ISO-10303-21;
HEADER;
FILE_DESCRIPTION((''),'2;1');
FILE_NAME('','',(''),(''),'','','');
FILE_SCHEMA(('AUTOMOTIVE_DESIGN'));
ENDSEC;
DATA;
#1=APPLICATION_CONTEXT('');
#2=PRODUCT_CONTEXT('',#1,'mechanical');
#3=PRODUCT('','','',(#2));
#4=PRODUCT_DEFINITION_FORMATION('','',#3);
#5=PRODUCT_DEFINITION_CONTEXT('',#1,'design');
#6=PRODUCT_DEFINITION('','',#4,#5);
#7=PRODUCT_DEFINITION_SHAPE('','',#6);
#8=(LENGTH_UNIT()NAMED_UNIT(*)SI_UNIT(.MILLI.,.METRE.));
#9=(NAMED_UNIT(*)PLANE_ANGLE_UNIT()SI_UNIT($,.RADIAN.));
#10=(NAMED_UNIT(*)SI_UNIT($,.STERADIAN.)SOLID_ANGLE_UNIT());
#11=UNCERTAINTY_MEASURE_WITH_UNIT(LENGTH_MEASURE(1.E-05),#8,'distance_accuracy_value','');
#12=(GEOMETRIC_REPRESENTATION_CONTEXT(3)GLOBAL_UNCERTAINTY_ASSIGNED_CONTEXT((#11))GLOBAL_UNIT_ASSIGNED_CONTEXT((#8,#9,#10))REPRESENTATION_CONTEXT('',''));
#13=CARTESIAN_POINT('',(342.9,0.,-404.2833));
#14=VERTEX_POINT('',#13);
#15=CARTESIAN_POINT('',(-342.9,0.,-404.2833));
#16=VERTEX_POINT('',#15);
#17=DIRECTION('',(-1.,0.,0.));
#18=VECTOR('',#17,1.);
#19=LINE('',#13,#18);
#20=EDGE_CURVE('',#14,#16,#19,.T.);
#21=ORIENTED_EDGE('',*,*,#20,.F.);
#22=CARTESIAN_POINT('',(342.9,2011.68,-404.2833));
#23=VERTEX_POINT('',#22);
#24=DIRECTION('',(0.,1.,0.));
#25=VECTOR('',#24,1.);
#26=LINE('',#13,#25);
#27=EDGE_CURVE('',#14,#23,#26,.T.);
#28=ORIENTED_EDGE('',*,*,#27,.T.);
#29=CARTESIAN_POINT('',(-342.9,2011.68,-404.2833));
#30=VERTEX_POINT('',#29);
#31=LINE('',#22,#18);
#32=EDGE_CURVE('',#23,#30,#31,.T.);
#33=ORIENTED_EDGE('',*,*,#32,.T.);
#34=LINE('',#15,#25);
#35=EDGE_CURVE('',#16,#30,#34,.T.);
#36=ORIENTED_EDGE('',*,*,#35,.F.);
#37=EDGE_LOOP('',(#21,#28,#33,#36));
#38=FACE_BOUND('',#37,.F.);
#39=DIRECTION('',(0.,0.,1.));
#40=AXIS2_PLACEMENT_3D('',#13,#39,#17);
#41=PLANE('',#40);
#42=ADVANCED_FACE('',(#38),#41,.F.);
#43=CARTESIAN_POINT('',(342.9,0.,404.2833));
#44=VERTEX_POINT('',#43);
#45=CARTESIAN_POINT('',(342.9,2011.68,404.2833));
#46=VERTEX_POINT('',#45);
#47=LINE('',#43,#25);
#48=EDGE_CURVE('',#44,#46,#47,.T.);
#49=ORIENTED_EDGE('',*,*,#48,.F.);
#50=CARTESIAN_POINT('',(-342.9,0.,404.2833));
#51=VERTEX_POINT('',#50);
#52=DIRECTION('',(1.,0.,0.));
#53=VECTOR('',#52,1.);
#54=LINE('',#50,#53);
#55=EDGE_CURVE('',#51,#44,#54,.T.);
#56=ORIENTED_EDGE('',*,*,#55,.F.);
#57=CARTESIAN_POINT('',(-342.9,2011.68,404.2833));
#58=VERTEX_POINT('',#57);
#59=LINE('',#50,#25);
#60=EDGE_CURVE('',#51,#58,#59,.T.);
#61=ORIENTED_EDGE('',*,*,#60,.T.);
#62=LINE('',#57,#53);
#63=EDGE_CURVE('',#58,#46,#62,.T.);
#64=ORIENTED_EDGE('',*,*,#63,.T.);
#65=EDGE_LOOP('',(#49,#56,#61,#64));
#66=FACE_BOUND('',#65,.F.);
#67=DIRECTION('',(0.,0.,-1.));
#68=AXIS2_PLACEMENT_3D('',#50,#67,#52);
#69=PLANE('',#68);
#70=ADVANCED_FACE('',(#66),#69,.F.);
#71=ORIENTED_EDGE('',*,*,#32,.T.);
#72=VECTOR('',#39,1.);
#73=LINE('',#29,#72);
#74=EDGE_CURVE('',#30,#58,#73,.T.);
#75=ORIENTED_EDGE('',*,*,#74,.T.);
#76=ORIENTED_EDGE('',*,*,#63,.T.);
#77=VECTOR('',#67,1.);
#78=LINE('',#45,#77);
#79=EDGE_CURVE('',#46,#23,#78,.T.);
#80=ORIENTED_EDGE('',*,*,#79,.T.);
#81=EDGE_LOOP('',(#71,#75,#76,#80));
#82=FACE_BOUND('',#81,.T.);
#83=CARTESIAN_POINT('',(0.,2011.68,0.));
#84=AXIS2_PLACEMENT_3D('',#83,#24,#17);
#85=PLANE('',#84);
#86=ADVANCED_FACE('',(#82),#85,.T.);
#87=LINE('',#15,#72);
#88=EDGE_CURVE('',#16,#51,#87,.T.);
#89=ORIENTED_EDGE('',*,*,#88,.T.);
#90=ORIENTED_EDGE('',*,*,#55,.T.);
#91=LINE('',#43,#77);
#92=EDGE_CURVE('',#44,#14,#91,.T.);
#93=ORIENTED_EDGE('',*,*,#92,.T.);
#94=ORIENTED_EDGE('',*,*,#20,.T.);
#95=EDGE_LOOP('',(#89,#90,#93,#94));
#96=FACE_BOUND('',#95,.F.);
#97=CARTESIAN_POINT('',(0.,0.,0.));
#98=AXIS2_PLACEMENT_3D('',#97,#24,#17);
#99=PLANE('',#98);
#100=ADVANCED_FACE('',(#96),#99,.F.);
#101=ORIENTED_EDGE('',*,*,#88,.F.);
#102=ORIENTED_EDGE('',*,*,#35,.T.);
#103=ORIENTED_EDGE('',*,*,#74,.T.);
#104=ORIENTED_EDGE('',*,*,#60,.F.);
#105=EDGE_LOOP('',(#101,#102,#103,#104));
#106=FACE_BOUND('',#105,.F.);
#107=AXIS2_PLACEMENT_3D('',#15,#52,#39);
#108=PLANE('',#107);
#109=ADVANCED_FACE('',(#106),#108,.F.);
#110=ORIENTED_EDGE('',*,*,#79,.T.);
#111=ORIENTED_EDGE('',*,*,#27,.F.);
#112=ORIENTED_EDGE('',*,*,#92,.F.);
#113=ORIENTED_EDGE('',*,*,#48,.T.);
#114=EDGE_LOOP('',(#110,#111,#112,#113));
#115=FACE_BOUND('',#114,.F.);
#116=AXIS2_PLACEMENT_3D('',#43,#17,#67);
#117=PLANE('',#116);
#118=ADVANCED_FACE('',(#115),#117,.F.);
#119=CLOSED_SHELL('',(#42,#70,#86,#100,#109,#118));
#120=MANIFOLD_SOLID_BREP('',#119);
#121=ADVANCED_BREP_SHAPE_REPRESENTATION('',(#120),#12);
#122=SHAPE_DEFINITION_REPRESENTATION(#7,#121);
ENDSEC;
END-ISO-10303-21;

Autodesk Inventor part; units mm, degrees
ref_plane "YZ Plane" through (0, 0, 0) normal (1, 0, 0) x (0, 1, 0)
ref_plane "XZ Plane" through (0, 0, 0) normal (0, 1, 0) x (-1, 0, 0)
ref_plane "XY Plane" through (0, 0, 0) normal (0, 0, 1) x (1, 0, 0)
sketch "Sketch1" plane through (0, 0, 0) normal (0, 1, 0) x (-1, 0, 0)
  line L0 (342.9, 404.2833) -> (-342.9, 404.2833)
  line L1 (-342.9, 404.2833) -> (-342.9, -404.2833)
  line L2 (-342.9, -404.2833) -> (342.9, -404.2833)
  line L3 (342.9, -404.2833) -> (342.9, 404.2833)
  line L4 (342.9, 404.2833) -> (-342.9, -404.2833) construction
  line L5 (-342.9, 404.2833) -> (342.9, -404.2833) construction
  point P0 (0, 0)
  dimension "d0" = 685.8
  dimension "d1" = 808.5667
extrude "Extrusion1" add sketch "Sketch1" along normal blind 2011.68
properties part number "robot_box"
